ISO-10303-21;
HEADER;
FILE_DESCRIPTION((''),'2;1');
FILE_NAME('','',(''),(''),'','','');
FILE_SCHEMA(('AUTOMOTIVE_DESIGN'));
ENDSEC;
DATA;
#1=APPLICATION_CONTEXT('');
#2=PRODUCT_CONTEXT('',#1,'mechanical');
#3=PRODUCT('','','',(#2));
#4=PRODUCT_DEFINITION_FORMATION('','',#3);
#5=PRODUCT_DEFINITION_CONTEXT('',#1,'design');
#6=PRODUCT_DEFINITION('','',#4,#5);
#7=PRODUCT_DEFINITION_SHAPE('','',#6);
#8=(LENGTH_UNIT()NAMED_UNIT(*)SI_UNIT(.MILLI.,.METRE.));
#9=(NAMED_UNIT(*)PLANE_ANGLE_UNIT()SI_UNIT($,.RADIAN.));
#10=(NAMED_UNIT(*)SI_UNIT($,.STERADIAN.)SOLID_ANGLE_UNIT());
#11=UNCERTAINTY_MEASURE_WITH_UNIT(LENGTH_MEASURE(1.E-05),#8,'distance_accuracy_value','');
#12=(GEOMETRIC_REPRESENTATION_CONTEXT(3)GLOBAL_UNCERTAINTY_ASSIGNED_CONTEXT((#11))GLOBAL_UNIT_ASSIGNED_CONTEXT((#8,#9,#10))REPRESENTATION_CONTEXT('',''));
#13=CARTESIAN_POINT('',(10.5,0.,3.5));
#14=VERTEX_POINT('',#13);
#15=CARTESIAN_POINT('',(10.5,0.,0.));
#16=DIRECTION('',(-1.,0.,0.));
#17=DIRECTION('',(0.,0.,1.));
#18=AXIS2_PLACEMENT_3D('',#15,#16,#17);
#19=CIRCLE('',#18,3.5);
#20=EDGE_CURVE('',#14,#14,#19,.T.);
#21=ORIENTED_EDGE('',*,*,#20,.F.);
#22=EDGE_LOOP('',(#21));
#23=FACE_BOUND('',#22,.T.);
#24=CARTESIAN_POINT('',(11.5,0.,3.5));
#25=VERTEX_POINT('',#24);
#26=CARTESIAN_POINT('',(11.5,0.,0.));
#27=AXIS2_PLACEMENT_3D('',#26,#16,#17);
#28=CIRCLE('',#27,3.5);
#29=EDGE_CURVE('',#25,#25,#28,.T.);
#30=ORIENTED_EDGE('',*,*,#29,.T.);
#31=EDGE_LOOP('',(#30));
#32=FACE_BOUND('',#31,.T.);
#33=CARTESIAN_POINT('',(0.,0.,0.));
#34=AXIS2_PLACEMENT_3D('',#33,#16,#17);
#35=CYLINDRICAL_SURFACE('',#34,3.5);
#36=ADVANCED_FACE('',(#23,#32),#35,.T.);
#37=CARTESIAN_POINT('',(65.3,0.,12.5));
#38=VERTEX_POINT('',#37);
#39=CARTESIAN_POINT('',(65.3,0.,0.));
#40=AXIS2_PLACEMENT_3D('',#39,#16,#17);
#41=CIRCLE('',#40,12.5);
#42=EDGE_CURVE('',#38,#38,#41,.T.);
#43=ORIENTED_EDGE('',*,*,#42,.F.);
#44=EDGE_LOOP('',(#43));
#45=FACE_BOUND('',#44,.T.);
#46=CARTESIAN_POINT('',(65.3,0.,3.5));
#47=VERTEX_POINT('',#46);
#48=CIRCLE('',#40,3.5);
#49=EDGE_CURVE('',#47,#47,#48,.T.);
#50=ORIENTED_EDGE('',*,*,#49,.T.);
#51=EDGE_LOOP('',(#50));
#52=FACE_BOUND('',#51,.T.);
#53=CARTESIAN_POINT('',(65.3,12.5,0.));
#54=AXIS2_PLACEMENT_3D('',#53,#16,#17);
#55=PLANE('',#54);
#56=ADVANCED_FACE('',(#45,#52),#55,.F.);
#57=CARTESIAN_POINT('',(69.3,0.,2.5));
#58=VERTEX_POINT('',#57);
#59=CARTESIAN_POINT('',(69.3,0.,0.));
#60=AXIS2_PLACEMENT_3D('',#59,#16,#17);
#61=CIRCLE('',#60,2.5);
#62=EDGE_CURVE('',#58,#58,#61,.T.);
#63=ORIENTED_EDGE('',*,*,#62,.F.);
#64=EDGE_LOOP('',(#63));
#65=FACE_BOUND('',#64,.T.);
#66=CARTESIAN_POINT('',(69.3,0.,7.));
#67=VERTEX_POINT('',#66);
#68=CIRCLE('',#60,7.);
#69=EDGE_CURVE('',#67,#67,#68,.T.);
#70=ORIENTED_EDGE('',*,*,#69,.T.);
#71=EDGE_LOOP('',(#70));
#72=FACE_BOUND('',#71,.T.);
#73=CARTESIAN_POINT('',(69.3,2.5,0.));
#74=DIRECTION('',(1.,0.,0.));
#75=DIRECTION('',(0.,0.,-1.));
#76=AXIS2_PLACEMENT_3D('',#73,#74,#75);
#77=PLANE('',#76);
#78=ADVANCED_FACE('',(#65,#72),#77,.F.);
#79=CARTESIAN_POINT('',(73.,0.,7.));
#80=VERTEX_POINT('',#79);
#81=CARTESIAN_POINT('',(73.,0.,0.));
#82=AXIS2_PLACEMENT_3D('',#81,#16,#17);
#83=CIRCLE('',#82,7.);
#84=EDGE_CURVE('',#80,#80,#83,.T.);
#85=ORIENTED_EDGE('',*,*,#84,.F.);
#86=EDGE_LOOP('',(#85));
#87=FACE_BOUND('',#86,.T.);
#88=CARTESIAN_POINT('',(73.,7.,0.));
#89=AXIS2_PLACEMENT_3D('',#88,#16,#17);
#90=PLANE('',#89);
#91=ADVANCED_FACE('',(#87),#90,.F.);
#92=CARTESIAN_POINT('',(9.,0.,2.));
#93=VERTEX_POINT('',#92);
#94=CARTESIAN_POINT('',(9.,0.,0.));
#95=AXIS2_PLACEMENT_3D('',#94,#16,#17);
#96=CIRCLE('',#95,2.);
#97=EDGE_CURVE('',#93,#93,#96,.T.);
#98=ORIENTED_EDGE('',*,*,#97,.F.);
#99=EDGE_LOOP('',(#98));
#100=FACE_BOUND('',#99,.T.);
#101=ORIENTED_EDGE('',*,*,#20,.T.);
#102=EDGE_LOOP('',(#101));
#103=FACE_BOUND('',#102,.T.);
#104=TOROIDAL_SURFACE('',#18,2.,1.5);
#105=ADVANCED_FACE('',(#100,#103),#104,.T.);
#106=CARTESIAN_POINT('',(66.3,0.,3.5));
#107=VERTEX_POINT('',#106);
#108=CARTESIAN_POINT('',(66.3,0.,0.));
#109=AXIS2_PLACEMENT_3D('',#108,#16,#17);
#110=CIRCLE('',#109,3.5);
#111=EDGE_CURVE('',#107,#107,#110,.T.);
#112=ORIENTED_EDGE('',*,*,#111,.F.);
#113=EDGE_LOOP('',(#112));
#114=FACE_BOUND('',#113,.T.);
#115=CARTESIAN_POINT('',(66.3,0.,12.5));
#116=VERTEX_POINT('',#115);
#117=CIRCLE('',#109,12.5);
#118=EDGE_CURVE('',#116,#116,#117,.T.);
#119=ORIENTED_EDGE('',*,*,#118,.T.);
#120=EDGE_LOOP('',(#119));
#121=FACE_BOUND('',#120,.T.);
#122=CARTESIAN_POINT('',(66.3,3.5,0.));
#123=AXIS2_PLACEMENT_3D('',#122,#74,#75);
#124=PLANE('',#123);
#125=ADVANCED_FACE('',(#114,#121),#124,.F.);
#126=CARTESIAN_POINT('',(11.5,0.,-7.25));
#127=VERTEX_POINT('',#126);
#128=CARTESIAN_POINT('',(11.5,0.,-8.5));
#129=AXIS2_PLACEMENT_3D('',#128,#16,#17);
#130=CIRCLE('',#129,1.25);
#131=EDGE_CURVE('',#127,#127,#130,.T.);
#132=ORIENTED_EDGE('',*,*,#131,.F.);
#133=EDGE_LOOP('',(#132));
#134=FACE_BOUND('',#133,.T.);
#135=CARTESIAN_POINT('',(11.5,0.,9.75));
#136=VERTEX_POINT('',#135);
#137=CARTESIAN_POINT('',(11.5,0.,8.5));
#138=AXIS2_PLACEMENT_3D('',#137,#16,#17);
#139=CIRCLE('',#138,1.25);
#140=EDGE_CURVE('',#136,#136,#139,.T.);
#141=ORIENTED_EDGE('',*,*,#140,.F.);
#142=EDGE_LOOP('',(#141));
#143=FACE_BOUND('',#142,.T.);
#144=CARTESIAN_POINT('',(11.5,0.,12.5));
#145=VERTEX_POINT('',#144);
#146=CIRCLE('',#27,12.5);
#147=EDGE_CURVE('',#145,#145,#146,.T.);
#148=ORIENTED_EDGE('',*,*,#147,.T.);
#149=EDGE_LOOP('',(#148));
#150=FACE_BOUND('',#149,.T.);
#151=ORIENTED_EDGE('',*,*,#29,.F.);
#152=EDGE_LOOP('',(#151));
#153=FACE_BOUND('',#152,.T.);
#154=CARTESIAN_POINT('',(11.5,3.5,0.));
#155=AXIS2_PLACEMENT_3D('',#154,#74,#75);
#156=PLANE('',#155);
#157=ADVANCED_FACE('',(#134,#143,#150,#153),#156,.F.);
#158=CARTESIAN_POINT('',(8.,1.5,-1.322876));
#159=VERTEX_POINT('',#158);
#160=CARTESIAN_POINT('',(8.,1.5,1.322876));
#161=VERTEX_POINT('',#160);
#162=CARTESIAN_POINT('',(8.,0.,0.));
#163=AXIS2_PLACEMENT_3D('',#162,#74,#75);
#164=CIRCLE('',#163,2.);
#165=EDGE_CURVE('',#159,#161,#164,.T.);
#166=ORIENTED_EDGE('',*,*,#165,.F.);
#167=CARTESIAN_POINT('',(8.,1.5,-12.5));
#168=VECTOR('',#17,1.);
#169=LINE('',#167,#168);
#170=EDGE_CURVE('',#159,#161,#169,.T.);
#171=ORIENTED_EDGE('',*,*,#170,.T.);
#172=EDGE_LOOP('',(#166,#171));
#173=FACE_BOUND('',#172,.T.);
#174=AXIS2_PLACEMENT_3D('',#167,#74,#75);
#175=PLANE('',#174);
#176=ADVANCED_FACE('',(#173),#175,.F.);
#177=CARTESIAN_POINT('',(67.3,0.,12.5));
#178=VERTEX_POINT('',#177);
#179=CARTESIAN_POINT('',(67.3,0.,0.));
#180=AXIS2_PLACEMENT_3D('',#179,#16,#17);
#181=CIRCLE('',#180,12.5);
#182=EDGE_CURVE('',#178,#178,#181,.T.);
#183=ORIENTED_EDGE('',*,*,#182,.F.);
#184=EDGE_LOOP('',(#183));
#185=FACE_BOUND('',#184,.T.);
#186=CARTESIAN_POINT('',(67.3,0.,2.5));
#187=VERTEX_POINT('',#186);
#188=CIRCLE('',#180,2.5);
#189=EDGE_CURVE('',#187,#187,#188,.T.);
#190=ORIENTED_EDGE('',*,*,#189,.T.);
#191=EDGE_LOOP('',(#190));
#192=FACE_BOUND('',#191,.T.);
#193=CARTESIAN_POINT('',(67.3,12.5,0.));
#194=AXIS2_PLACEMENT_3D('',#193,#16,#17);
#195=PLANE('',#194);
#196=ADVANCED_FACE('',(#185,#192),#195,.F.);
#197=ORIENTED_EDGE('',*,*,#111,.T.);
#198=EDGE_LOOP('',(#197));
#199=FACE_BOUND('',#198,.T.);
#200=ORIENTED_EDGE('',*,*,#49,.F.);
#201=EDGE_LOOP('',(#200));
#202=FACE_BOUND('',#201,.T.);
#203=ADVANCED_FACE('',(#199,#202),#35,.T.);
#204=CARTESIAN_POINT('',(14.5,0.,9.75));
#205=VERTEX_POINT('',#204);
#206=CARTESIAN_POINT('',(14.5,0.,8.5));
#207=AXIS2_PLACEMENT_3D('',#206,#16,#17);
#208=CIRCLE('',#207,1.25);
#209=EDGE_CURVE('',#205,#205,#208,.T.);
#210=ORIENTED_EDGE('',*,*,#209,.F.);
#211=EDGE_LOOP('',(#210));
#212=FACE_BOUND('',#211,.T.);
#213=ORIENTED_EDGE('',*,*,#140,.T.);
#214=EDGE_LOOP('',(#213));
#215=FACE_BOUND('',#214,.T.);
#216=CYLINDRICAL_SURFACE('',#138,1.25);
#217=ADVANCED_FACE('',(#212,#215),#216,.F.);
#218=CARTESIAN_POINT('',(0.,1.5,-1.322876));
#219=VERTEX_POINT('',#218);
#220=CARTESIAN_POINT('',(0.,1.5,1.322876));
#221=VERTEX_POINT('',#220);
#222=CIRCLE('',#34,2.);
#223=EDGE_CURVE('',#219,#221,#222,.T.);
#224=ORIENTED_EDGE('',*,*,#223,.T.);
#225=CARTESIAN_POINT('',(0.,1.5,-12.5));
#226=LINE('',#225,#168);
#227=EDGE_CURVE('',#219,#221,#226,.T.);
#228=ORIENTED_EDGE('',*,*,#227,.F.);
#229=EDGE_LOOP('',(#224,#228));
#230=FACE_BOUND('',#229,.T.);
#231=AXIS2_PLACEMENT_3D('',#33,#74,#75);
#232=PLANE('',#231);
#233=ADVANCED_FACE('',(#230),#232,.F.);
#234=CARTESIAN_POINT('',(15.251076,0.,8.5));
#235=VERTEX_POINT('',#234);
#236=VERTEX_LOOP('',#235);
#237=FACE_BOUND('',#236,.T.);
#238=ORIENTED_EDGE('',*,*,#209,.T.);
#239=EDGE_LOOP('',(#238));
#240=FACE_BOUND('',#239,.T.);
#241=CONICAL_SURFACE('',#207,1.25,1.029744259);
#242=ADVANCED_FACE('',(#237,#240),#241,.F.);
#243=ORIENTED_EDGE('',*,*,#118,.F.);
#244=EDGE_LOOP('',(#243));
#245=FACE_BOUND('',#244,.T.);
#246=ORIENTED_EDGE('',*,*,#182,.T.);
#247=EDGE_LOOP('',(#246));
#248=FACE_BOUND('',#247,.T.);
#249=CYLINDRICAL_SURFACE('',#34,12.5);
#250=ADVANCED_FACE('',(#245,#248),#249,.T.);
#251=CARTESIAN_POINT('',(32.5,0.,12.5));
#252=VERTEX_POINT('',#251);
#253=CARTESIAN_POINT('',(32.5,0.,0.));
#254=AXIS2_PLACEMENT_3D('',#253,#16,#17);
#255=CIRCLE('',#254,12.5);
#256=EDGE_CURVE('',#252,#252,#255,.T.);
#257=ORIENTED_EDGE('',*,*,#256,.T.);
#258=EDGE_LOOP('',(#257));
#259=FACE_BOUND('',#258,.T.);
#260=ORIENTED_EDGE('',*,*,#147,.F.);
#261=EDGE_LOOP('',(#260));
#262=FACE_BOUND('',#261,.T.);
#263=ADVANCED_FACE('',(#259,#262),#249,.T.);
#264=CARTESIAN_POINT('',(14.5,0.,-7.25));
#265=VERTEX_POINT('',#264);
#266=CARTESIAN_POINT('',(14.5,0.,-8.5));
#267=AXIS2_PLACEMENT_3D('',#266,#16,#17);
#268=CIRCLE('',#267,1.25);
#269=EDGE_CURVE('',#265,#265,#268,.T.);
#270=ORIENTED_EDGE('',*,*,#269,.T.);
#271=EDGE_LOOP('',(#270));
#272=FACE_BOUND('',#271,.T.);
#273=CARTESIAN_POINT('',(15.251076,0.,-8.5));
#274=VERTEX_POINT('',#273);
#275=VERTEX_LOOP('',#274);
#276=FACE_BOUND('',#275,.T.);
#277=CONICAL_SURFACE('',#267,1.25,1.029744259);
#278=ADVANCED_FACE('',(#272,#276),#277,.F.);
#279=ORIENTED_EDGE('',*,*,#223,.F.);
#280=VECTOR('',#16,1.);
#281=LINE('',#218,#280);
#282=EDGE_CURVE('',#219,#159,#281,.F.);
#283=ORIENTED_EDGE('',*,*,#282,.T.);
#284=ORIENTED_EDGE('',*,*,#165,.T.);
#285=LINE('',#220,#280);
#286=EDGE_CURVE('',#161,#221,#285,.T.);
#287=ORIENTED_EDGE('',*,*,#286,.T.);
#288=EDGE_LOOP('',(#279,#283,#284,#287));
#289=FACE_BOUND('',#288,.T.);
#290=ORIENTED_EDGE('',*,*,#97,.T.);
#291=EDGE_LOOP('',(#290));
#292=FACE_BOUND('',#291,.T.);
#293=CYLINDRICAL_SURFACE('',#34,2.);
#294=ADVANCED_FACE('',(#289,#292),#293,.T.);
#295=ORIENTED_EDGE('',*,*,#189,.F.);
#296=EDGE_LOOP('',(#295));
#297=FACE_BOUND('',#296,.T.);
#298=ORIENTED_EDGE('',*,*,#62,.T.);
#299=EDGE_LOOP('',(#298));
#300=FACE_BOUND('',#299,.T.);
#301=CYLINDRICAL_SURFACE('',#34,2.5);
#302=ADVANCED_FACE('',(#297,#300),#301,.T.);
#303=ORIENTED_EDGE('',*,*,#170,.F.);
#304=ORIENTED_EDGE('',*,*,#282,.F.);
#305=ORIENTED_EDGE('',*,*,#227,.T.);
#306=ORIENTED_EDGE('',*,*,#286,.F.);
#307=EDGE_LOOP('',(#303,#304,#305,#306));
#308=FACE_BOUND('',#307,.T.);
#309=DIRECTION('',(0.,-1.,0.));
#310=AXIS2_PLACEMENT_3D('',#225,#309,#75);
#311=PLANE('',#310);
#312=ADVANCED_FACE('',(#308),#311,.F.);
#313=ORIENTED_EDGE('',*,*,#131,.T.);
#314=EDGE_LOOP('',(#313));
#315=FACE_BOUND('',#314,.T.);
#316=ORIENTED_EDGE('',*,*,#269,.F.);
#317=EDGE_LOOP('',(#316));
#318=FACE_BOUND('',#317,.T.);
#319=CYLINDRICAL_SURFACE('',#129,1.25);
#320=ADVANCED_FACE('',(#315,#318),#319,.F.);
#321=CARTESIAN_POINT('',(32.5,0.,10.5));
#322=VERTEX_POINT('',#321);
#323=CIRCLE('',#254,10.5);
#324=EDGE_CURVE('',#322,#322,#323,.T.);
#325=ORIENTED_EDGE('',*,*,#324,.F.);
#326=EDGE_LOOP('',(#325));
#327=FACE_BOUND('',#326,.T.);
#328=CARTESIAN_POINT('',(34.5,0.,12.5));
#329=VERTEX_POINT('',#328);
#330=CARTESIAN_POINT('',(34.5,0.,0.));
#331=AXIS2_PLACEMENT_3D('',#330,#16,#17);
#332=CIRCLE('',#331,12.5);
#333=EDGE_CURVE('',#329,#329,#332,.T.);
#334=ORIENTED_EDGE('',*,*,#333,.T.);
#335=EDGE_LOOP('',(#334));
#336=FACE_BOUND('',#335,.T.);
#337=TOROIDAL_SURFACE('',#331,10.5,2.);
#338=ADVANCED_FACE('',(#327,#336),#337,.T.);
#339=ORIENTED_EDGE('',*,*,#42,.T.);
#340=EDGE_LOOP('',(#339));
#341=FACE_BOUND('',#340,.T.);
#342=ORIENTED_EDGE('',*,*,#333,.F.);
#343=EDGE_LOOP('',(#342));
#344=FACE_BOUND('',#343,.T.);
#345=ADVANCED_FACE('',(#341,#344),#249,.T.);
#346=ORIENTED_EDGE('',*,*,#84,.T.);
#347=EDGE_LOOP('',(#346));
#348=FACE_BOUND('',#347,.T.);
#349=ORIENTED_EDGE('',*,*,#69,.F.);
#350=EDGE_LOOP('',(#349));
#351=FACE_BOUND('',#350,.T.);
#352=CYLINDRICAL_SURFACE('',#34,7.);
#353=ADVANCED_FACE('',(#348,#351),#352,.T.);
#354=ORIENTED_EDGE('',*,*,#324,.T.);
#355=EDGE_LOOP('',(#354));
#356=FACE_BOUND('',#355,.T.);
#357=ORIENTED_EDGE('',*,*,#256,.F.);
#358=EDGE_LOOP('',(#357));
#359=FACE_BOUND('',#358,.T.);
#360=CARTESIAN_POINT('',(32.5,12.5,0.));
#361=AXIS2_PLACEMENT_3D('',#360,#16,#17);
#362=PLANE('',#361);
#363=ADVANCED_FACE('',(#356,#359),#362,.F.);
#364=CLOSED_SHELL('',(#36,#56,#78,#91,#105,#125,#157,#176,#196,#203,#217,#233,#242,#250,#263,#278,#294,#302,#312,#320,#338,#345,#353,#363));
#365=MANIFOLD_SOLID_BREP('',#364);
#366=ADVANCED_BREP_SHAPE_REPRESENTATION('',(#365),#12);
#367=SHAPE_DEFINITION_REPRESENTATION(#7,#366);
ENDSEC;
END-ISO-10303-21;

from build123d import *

# Parameters (mm, degrees)
TAP_DRILL_FOR_M3X0_5_TAP1_D     = 2.5
TAP_DRILL_FOR_M3X0_5_TAP1_DEPTH = 3
TAP_DRILL_FOR_M3X0_5_TAP1_TIP   = 0.751075774
SKETCH5_W                       = 8
SKETCH5_H                       = 0.5
CUT_EXTRUDE1_DEPTH              = 13.5
CUT_EXTRUDE1_DEPTH_BACK         = 13.5


with BuildPart() as part:
    # Sketch1 → Revolve1 (revolve)
    with BuildSketch(Plane.XY):
        with BuildLine():
            Line((0, 0), (0, 2))
            Line((0, 2), (9, 2))
            ThreePointArc((9, 2), (9.439339828, 3.060660172), (10.5, 3.5))
            Line((10.5, 3.5), (11.5, 3.5))
            Line((11.5, 3.5), (11.5, 12.5))
            Line((11.5, 12.5), (32.5, 12.5))
            Line((32.5, 12.5), (32.5, 10.5))
            ThreePointArc((32.5, 10.5), (33.085786438, 11.914213562), (34.5, 12.5))
            Line((34.5, 12.5), (65.3, 12.5))
            Line((65.3, 12.5), (65.3, 3.5))
            Line((65.3, 3.5), (66.3, 3.5))
            Line((66.3, 3.5), (66.3, 12.5))
            Line((66.3, 12.5), (67.3, 12.5))
            Line((67.3, 12.5), (67.3, 2.5))
            Line((67.3, 2.5), (69.3, 2.5))
            Line((69.3, 2.5), (69.3, 7))
            Line((69.3, 7), (73, 7))
            Line((73, 7), (73, 0))
            Line((73, 0), (0, 0))
        make_face()
    revolve(axis=Axis((0, 0, 0), (1, 0, 0)))

    # Tap Drill for M3x0.5 Tap1
    with Locations(Plane.ZY.offset(-11.5)):
        with Locations((-8.5, 0), (8.5, 0)):
            Hole(TAP_DRILL_FOR_M3X0_5_TAP1_D / 2, depth=TAP_DRILL_FOR_M3X0_5_TAP1_DEPTH)
            with Locations((0, 0, -(TAP_DRILL_FOR_M3X0_5_TAP1_DEPTH + TAP_DRILL_FOR_M3X0_5_TAP1_TIP / 2))):  # 118° drill point
                Cone(0, TAP_DRILL_FOR_M3X0_5_TAP1_D / 2, TAP_DRILL_FOR_M3X0_5_TAP1_TIP, mode=Mode.SUBTRACT)

    # Sketch5 → Cut-Extrude1 (cut, two sides)
    with BuildSketch(Plane.XY) as cut_extrude1_sk:
        with Locations((4, 1.75)):
            Rectangle(SKETCH5_W, SKETCH5_H)
    extrude(amount=CUT_EXTRUDE1_DEPTH, mode=Mode.SUBTRACT)
    extrude(cut_extrude1_sk.sketch, amount=-CUT_EXTRUDE1_DEPTH_BACK, mode=Mode.SUBTRACT)


solid = part.part
